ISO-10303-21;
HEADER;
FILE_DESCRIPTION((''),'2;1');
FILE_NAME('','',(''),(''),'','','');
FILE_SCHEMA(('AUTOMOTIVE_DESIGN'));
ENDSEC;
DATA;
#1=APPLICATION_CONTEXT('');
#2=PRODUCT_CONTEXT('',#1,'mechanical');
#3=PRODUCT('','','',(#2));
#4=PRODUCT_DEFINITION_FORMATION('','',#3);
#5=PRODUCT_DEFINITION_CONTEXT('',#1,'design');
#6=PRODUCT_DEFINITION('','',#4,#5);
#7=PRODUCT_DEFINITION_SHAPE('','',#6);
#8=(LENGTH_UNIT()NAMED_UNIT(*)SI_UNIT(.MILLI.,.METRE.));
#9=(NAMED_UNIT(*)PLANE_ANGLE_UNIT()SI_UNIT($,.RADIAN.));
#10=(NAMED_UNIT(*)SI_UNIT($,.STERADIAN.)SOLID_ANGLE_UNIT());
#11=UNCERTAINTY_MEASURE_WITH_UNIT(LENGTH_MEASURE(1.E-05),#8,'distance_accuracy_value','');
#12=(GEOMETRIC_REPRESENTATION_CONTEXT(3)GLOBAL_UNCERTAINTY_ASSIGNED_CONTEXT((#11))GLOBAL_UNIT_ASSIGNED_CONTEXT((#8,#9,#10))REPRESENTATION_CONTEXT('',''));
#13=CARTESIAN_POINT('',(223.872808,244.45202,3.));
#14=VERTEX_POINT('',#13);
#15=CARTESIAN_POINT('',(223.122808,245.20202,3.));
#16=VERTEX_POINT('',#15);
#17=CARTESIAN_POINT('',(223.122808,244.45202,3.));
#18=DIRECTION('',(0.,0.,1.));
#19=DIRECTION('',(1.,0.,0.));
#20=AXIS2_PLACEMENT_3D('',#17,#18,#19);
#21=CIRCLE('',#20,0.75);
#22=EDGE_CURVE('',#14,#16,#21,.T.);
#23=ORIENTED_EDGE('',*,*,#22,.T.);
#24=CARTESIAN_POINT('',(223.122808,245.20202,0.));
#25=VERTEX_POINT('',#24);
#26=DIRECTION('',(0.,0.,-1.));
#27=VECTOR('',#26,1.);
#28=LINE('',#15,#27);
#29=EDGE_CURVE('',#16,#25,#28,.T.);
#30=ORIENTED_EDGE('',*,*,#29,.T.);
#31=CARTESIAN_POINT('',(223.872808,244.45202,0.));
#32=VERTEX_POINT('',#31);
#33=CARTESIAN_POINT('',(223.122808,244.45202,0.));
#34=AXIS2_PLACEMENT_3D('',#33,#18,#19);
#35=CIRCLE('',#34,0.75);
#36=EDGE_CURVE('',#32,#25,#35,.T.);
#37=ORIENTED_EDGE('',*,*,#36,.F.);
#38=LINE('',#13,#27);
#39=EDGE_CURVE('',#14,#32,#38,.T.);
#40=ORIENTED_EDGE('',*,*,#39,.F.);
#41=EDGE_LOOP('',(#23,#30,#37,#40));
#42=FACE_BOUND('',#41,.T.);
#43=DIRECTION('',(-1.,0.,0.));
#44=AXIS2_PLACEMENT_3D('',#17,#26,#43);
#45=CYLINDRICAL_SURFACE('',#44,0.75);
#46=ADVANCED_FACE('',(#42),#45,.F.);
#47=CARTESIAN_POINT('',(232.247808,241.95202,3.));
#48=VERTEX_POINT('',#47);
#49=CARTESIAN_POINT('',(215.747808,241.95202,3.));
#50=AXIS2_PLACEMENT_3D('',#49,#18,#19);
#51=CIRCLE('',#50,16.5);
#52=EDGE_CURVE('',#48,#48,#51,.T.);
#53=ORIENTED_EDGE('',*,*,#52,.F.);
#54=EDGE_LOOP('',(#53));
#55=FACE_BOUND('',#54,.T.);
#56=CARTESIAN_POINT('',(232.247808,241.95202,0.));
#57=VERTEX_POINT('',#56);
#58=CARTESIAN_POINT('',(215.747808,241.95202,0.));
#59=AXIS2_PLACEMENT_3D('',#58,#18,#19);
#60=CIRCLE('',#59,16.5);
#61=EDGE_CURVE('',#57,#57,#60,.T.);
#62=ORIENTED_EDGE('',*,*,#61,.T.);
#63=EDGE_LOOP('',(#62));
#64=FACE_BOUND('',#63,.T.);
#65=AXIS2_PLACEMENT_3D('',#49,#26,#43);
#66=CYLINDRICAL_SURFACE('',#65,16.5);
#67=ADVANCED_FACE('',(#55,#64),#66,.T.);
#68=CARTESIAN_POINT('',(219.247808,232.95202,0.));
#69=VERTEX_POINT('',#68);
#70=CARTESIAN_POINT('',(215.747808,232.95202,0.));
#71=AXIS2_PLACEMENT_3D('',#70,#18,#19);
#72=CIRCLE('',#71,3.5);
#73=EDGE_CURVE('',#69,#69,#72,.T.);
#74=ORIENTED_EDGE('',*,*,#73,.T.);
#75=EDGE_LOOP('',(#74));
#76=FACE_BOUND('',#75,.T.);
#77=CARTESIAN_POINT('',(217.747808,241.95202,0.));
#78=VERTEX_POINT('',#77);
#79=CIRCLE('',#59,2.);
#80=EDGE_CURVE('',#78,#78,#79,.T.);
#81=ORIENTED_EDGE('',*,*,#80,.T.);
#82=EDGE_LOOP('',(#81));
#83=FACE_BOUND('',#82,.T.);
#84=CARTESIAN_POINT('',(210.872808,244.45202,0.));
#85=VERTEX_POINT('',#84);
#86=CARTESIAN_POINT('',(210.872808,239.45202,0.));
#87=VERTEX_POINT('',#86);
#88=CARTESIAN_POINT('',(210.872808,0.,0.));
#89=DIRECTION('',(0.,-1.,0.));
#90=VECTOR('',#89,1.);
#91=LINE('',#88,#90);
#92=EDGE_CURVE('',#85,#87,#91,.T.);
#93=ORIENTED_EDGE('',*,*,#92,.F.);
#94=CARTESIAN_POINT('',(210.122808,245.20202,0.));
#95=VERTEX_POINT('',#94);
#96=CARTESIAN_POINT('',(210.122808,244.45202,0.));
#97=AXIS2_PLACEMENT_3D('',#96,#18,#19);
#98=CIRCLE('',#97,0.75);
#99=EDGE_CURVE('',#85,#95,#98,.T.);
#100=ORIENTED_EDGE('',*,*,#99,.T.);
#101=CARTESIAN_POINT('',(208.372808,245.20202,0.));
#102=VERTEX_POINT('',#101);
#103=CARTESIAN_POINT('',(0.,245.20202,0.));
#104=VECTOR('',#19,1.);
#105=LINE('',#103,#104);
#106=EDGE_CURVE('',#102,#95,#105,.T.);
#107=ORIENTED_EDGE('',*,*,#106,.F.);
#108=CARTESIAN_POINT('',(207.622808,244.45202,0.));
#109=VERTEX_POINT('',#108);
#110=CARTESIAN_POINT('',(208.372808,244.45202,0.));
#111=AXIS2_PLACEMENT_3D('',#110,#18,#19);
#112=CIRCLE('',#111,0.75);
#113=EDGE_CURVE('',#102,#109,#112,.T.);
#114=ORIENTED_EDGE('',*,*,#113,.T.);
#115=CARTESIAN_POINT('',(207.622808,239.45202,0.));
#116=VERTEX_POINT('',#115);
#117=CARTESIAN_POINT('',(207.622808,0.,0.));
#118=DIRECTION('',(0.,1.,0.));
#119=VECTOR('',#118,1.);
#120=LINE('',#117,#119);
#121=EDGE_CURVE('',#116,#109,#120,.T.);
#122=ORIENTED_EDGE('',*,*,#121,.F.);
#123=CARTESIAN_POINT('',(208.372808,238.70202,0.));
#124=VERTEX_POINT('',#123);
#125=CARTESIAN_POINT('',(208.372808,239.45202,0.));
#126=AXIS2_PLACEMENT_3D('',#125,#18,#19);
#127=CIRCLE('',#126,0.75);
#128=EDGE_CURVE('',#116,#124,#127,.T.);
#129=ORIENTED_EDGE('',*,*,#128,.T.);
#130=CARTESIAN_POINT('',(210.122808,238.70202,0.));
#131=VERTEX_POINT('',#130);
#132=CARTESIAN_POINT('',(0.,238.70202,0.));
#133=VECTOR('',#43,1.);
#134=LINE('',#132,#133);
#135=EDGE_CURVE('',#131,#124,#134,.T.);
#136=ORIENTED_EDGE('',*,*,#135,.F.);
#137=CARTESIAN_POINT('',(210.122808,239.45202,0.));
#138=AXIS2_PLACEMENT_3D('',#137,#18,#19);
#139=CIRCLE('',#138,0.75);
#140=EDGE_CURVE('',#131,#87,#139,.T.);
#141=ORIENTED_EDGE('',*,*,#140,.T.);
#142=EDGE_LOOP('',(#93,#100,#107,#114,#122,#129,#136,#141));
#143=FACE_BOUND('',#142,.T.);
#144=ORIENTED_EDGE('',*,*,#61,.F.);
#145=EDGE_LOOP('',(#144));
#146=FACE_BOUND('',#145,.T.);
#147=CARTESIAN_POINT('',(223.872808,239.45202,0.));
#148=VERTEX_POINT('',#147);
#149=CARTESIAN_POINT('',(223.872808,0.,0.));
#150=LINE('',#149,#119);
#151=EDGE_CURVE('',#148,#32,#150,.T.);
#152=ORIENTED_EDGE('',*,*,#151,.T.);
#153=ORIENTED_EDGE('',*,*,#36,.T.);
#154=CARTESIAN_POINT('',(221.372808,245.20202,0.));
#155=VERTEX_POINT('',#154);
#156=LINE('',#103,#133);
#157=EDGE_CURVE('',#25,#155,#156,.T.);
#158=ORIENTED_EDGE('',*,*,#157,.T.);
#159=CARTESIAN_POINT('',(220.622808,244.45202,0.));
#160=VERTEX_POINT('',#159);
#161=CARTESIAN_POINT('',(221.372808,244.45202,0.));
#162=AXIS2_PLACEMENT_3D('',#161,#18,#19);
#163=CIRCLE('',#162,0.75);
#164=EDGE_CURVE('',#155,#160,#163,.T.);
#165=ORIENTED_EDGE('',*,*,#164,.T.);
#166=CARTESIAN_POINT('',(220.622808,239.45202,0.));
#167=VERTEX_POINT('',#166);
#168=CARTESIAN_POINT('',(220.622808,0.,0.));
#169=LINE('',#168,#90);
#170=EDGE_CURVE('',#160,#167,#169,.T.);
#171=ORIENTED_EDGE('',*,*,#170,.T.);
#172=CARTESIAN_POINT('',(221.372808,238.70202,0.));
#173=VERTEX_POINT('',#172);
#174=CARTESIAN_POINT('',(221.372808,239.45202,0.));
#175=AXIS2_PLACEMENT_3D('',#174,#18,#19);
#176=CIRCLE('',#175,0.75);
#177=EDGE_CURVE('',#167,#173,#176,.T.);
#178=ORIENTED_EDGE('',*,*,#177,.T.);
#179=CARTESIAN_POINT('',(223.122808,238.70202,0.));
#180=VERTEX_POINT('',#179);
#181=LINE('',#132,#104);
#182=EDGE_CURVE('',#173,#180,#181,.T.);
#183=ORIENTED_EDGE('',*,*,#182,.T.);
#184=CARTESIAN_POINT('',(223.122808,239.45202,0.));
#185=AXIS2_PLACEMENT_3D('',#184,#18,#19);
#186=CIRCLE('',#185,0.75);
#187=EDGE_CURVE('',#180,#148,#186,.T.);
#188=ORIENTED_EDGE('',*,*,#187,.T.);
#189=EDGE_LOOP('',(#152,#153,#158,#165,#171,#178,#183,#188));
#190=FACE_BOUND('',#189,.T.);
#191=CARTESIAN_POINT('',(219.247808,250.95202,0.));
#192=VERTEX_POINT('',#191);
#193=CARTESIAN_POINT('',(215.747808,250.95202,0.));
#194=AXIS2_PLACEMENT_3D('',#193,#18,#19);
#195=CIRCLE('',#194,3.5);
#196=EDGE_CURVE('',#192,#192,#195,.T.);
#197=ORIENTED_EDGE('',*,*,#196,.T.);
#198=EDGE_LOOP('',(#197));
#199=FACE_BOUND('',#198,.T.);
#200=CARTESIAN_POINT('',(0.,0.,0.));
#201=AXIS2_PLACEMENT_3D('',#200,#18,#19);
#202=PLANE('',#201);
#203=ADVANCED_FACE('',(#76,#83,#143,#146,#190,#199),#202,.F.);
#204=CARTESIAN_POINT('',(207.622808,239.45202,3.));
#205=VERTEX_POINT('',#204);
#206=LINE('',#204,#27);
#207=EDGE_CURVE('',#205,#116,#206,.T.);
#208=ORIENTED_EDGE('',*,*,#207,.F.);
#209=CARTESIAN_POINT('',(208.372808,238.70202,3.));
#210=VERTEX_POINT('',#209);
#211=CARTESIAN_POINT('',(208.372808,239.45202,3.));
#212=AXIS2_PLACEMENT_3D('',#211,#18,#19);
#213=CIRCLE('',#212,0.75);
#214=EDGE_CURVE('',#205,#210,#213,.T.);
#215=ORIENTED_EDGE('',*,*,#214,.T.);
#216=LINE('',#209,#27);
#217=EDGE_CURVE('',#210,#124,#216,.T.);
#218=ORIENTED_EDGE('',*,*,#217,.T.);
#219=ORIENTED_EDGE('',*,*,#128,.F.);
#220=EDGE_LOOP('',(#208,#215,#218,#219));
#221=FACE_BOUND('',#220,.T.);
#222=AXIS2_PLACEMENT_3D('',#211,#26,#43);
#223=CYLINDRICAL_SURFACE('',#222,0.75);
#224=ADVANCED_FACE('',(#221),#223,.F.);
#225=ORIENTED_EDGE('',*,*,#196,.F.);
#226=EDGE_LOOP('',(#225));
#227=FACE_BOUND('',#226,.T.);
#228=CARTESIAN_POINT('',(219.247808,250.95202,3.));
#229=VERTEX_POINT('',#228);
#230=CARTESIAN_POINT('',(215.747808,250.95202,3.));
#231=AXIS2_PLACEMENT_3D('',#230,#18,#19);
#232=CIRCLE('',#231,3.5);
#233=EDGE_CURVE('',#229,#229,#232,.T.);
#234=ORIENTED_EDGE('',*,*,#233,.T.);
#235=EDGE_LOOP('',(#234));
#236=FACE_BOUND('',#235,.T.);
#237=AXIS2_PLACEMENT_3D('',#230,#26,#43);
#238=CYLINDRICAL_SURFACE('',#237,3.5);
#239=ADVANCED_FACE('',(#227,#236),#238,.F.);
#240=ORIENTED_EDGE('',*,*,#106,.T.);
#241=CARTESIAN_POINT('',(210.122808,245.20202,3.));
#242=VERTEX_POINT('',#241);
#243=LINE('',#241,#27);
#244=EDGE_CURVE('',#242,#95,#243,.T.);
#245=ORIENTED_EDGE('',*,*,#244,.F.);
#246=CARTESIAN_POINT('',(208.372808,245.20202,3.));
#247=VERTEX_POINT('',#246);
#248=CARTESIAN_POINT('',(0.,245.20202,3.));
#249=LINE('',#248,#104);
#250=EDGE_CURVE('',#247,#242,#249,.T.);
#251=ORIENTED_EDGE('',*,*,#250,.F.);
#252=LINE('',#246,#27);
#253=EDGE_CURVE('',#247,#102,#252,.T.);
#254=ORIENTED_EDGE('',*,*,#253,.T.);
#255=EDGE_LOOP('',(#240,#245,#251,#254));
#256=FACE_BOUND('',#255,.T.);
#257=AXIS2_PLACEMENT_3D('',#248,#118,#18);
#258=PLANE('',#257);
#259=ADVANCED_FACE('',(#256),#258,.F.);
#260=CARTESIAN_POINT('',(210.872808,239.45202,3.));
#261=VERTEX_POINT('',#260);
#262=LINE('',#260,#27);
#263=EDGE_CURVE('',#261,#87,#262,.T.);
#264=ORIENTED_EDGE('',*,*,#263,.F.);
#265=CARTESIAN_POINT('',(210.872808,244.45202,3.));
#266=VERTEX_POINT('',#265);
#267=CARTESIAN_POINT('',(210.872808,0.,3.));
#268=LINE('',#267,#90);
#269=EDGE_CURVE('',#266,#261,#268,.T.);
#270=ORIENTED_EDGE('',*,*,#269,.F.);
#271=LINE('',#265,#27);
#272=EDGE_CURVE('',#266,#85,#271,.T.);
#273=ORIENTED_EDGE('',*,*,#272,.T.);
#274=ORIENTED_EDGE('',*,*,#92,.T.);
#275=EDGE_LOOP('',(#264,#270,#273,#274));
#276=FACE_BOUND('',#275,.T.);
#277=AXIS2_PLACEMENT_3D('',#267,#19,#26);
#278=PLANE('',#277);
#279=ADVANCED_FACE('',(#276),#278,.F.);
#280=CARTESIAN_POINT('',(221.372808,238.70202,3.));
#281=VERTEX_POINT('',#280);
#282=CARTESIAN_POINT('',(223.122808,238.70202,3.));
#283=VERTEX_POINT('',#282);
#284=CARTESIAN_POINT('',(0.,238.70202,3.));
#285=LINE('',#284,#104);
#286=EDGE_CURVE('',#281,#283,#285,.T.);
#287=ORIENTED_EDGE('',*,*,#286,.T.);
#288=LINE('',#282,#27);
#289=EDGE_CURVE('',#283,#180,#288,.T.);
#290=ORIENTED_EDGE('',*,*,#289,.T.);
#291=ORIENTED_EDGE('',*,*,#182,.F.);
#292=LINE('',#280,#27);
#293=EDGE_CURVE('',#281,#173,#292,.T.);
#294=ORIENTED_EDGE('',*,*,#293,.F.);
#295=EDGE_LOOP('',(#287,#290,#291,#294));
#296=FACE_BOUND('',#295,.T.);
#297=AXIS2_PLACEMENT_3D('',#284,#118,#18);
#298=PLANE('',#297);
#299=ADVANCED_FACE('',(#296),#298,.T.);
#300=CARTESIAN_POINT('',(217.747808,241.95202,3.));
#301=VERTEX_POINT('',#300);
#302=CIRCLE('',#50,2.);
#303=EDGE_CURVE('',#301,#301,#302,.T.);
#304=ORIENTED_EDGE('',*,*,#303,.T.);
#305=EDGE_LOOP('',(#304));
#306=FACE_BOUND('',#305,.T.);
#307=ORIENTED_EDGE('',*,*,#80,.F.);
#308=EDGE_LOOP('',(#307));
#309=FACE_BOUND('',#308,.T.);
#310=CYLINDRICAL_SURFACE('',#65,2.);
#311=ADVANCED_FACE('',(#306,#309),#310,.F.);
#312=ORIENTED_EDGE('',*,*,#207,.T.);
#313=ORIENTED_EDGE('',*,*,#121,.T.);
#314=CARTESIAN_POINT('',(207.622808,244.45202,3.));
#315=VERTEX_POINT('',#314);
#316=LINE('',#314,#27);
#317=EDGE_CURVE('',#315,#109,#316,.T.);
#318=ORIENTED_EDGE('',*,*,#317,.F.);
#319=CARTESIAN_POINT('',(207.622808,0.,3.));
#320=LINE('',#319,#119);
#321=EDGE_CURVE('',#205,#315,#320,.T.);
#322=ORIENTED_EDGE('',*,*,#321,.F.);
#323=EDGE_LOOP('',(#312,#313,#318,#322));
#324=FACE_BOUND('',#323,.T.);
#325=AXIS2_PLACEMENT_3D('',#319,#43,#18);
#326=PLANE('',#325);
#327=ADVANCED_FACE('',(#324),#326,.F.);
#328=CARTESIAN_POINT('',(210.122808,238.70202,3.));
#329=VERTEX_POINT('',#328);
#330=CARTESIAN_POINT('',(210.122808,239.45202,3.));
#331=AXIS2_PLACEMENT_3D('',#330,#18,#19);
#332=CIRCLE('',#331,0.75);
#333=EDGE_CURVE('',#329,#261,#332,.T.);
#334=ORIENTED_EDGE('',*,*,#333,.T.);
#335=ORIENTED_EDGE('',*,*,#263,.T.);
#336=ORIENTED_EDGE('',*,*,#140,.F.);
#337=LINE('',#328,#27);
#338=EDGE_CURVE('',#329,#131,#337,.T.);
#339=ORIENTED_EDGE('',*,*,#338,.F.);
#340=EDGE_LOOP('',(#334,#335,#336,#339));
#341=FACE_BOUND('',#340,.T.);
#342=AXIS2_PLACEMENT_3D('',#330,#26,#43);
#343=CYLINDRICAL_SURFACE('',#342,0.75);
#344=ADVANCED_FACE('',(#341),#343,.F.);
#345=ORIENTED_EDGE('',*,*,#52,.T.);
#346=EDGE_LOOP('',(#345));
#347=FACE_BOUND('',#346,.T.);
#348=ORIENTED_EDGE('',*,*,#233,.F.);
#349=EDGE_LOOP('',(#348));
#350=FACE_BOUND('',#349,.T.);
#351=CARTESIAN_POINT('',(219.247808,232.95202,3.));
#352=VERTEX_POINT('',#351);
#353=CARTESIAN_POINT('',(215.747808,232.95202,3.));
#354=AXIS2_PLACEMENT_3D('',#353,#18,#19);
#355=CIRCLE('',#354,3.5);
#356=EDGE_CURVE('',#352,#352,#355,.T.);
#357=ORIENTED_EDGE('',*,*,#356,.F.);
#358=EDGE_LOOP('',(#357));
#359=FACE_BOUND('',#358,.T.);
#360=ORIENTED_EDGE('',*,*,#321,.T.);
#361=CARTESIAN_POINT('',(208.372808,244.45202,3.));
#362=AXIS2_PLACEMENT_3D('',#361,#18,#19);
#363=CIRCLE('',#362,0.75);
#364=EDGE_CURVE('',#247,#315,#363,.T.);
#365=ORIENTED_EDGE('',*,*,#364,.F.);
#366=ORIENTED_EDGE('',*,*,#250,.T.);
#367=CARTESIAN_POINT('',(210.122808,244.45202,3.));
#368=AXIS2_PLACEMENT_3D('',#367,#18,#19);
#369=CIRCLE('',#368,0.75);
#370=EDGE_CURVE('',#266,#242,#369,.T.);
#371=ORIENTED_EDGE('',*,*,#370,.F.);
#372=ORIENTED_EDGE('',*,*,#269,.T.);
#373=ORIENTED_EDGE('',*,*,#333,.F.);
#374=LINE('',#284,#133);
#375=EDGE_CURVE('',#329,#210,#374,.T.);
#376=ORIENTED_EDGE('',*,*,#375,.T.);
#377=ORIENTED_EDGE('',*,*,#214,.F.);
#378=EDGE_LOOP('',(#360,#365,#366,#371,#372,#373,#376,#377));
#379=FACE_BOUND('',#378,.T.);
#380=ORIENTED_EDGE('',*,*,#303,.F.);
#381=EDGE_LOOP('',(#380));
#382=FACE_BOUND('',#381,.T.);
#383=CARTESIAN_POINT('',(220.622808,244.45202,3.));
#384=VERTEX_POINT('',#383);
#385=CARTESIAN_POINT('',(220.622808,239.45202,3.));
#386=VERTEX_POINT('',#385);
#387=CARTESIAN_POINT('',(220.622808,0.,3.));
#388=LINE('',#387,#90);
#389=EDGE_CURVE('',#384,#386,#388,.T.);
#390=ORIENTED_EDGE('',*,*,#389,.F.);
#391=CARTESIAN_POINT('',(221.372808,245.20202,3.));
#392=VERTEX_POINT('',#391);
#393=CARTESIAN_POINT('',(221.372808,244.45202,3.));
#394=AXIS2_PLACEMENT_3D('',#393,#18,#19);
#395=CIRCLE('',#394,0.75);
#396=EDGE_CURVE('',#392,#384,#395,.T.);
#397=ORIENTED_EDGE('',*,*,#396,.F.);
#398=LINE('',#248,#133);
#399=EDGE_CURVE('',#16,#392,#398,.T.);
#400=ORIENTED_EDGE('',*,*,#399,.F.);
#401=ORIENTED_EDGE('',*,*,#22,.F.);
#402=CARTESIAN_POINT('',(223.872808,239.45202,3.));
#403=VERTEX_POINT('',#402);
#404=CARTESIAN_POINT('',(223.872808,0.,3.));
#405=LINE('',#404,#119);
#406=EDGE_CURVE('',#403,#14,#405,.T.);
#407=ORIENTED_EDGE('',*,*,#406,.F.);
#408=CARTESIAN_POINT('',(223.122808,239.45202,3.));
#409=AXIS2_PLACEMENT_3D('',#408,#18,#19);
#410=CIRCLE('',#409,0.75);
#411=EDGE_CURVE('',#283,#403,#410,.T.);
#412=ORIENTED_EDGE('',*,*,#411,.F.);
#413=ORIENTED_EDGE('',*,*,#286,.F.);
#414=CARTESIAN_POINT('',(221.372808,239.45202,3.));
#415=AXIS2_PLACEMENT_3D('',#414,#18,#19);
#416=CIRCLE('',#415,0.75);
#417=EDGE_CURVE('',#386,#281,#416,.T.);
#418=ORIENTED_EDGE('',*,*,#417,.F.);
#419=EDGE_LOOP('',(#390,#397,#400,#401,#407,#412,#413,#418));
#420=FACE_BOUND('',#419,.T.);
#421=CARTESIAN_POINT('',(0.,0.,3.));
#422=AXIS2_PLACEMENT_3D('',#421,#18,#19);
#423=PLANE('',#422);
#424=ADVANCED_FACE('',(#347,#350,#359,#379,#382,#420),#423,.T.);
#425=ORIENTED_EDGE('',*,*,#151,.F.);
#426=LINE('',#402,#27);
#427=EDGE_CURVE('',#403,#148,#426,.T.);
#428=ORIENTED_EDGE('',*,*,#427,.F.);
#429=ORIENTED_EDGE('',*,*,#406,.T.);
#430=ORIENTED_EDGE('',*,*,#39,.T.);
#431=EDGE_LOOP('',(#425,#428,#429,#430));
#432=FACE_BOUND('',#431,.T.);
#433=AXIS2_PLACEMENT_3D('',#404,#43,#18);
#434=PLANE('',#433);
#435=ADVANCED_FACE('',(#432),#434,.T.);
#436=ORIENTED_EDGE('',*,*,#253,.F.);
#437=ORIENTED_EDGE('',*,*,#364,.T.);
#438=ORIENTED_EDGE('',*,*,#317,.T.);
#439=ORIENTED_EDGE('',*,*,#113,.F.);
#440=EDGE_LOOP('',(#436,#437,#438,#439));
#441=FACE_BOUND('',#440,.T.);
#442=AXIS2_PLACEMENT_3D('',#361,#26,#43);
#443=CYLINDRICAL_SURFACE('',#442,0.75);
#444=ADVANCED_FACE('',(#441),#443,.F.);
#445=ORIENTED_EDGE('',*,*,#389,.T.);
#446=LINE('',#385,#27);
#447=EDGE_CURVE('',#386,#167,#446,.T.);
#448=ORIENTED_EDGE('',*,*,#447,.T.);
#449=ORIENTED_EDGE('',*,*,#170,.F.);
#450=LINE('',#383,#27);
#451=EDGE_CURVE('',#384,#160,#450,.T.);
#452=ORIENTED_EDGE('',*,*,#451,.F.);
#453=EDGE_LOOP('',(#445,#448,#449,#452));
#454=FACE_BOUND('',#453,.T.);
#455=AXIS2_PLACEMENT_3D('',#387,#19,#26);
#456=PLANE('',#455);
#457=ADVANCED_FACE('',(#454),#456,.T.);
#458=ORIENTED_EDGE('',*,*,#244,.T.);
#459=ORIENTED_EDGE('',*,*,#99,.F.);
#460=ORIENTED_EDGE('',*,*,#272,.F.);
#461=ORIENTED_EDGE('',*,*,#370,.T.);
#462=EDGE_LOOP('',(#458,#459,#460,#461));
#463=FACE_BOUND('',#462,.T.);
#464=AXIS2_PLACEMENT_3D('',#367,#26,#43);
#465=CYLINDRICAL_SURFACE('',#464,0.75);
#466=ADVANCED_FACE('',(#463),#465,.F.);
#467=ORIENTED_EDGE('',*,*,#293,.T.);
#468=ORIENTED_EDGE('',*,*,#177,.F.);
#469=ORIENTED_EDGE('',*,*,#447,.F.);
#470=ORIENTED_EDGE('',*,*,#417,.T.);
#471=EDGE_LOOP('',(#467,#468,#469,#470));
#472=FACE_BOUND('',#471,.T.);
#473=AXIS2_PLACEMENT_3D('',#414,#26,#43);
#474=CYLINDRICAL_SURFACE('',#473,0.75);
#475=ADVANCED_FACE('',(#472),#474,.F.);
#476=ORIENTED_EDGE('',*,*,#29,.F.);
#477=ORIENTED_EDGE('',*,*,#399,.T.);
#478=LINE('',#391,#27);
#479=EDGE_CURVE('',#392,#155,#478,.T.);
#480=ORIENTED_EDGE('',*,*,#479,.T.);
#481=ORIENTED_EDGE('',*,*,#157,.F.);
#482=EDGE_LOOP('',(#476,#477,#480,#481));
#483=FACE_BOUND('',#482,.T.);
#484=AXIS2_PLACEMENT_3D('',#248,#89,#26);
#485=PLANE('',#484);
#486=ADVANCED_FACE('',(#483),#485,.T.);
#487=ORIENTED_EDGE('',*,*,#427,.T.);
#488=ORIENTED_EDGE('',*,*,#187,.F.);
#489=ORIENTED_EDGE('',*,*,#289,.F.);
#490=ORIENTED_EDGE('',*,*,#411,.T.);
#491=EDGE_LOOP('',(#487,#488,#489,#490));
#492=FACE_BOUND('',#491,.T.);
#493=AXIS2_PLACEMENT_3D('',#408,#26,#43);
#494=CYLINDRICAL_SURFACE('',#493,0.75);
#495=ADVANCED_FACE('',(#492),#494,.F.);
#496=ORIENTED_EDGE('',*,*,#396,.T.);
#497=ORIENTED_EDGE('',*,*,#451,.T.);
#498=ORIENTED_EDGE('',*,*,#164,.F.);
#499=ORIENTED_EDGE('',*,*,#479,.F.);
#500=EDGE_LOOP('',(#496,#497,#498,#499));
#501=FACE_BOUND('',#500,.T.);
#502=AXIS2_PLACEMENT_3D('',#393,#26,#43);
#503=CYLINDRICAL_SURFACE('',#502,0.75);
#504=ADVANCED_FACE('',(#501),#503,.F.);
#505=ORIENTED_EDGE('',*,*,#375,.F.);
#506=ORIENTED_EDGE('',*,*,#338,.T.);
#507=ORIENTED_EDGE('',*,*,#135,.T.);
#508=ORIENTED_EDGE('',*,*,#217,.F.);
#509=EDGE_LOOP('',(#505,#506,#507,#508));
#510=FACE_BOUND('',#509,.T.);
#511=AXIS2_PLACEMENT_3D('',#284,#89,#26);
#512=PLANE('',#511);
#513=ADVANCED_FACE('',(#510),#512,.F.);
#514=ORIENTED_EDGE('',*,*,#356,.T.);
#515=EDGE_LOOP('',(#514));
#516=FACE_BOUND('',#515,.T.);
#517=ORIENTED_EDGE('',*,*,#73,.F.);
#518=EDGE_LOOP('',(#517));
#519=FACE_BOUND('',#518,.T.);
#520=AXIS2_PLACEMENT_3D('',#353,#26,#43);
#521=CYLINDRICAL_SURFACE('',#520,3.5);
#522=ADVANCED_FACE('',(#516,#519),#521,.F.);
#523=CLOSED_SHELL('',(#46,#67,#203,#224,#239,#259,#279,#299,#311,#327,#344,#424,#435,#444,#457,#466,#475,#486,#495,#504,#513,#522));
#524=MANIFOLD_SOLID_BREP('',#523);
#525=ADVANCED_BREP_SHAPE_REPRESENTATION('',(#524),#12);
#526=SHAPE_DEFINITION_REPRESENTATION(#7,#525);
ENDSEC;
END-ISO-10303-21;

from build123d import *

# Parameters (mm, degrees)
MODEL_R                 = 16.5
MODEL_R_2               = 3.5
MODEL_R_3               = 2
SALIENTE_EXTRUIR1_DEPTH = 3


with BuildPart() as part:
    # Model → Saliente-Extruir1 (new body)
    with BuildSketch(Plane.XY):
        with Locations((215.747807914, 241.952019993)):
            Circle(MODEL_R)
        with BuildLine():
            ThreePointArc((207.622807913, 244.452019993), (207.842477828, 244.982350079), (208.372807913, 245.202019993))
            Line((208.372807913, 245.202019993), (210.122807913, 245.202019993))
            ThreePointArc((210.122807913, 245.202019993), (210.653137999, 244.982350079), (210.872807913, 244.452019993))
            Line((210.872807913, 244.452019993), (210.872807913, 239.452019993))
            ThreePointArc((210.872807914, 239.452019993), (210.653137999, 238.921689907), (210.122807913, 238.702019993))
            Line((210.122807913, 238.702019993), (208.372807913, 238.702019993))
            ThreePointArc((208.372807913, 238.702019993), (207.842477828, 238.921689907), (207.622807913, 239.452019993))
            Line((207.622807913, 239.452019993), (207.622807913, 244.452019993))
        make_face(mode=Mode.SUBTRACT)
        with Locations((215.747807914, 232.952019993)):
            Circle(MODEL_R_2, mode=Mode.SUBTRACT)
        with BuildLine():
            Line((221.372807913, 245.202019993), (223.122807913, 245.202019993))
            ThreePointArc((223.122807913, 245.202019993), (223.653137999, 244.982350079), (223.872807913, 244.452019993))
            Line((223.872807913, 244.452019993), (223.872807913, 239.452019993))
            ThreePointArc((223.872807914, 239.452019993), (223.653137999, 238.921689907), (223.122807913, 238.702019993))
            Line((223.122807913, 238.702019993), (221.372807913, 238.702019993))
            ThreePointArc((221.372807913, 238.702019993), (220.842477828, 238.921689907), (220.622807913, 239.452019993))
            Line((220.622807913, 239.452019993), (220.622807913, 244.452019993))
            ThreePointArc((220.622807913, 244.452019993), (220.842477828, 244.982350079), (221.372807913, 245.202019993))
        make_face(mode=Mode.SUBTRACT)
        with Locations((215.747807914, 241.952019993)):
            Circle(MODEL_R_3, mode=Mode.SUBTRACT)
        with Locations((215.747807914, 250.952019993)):
            Circle(MODEL_R_2, mode=Mode.SUBTRACT)
    extrude(amount=SALIENTE_EXTRUIR1_DEPTH)


solid = part.part
